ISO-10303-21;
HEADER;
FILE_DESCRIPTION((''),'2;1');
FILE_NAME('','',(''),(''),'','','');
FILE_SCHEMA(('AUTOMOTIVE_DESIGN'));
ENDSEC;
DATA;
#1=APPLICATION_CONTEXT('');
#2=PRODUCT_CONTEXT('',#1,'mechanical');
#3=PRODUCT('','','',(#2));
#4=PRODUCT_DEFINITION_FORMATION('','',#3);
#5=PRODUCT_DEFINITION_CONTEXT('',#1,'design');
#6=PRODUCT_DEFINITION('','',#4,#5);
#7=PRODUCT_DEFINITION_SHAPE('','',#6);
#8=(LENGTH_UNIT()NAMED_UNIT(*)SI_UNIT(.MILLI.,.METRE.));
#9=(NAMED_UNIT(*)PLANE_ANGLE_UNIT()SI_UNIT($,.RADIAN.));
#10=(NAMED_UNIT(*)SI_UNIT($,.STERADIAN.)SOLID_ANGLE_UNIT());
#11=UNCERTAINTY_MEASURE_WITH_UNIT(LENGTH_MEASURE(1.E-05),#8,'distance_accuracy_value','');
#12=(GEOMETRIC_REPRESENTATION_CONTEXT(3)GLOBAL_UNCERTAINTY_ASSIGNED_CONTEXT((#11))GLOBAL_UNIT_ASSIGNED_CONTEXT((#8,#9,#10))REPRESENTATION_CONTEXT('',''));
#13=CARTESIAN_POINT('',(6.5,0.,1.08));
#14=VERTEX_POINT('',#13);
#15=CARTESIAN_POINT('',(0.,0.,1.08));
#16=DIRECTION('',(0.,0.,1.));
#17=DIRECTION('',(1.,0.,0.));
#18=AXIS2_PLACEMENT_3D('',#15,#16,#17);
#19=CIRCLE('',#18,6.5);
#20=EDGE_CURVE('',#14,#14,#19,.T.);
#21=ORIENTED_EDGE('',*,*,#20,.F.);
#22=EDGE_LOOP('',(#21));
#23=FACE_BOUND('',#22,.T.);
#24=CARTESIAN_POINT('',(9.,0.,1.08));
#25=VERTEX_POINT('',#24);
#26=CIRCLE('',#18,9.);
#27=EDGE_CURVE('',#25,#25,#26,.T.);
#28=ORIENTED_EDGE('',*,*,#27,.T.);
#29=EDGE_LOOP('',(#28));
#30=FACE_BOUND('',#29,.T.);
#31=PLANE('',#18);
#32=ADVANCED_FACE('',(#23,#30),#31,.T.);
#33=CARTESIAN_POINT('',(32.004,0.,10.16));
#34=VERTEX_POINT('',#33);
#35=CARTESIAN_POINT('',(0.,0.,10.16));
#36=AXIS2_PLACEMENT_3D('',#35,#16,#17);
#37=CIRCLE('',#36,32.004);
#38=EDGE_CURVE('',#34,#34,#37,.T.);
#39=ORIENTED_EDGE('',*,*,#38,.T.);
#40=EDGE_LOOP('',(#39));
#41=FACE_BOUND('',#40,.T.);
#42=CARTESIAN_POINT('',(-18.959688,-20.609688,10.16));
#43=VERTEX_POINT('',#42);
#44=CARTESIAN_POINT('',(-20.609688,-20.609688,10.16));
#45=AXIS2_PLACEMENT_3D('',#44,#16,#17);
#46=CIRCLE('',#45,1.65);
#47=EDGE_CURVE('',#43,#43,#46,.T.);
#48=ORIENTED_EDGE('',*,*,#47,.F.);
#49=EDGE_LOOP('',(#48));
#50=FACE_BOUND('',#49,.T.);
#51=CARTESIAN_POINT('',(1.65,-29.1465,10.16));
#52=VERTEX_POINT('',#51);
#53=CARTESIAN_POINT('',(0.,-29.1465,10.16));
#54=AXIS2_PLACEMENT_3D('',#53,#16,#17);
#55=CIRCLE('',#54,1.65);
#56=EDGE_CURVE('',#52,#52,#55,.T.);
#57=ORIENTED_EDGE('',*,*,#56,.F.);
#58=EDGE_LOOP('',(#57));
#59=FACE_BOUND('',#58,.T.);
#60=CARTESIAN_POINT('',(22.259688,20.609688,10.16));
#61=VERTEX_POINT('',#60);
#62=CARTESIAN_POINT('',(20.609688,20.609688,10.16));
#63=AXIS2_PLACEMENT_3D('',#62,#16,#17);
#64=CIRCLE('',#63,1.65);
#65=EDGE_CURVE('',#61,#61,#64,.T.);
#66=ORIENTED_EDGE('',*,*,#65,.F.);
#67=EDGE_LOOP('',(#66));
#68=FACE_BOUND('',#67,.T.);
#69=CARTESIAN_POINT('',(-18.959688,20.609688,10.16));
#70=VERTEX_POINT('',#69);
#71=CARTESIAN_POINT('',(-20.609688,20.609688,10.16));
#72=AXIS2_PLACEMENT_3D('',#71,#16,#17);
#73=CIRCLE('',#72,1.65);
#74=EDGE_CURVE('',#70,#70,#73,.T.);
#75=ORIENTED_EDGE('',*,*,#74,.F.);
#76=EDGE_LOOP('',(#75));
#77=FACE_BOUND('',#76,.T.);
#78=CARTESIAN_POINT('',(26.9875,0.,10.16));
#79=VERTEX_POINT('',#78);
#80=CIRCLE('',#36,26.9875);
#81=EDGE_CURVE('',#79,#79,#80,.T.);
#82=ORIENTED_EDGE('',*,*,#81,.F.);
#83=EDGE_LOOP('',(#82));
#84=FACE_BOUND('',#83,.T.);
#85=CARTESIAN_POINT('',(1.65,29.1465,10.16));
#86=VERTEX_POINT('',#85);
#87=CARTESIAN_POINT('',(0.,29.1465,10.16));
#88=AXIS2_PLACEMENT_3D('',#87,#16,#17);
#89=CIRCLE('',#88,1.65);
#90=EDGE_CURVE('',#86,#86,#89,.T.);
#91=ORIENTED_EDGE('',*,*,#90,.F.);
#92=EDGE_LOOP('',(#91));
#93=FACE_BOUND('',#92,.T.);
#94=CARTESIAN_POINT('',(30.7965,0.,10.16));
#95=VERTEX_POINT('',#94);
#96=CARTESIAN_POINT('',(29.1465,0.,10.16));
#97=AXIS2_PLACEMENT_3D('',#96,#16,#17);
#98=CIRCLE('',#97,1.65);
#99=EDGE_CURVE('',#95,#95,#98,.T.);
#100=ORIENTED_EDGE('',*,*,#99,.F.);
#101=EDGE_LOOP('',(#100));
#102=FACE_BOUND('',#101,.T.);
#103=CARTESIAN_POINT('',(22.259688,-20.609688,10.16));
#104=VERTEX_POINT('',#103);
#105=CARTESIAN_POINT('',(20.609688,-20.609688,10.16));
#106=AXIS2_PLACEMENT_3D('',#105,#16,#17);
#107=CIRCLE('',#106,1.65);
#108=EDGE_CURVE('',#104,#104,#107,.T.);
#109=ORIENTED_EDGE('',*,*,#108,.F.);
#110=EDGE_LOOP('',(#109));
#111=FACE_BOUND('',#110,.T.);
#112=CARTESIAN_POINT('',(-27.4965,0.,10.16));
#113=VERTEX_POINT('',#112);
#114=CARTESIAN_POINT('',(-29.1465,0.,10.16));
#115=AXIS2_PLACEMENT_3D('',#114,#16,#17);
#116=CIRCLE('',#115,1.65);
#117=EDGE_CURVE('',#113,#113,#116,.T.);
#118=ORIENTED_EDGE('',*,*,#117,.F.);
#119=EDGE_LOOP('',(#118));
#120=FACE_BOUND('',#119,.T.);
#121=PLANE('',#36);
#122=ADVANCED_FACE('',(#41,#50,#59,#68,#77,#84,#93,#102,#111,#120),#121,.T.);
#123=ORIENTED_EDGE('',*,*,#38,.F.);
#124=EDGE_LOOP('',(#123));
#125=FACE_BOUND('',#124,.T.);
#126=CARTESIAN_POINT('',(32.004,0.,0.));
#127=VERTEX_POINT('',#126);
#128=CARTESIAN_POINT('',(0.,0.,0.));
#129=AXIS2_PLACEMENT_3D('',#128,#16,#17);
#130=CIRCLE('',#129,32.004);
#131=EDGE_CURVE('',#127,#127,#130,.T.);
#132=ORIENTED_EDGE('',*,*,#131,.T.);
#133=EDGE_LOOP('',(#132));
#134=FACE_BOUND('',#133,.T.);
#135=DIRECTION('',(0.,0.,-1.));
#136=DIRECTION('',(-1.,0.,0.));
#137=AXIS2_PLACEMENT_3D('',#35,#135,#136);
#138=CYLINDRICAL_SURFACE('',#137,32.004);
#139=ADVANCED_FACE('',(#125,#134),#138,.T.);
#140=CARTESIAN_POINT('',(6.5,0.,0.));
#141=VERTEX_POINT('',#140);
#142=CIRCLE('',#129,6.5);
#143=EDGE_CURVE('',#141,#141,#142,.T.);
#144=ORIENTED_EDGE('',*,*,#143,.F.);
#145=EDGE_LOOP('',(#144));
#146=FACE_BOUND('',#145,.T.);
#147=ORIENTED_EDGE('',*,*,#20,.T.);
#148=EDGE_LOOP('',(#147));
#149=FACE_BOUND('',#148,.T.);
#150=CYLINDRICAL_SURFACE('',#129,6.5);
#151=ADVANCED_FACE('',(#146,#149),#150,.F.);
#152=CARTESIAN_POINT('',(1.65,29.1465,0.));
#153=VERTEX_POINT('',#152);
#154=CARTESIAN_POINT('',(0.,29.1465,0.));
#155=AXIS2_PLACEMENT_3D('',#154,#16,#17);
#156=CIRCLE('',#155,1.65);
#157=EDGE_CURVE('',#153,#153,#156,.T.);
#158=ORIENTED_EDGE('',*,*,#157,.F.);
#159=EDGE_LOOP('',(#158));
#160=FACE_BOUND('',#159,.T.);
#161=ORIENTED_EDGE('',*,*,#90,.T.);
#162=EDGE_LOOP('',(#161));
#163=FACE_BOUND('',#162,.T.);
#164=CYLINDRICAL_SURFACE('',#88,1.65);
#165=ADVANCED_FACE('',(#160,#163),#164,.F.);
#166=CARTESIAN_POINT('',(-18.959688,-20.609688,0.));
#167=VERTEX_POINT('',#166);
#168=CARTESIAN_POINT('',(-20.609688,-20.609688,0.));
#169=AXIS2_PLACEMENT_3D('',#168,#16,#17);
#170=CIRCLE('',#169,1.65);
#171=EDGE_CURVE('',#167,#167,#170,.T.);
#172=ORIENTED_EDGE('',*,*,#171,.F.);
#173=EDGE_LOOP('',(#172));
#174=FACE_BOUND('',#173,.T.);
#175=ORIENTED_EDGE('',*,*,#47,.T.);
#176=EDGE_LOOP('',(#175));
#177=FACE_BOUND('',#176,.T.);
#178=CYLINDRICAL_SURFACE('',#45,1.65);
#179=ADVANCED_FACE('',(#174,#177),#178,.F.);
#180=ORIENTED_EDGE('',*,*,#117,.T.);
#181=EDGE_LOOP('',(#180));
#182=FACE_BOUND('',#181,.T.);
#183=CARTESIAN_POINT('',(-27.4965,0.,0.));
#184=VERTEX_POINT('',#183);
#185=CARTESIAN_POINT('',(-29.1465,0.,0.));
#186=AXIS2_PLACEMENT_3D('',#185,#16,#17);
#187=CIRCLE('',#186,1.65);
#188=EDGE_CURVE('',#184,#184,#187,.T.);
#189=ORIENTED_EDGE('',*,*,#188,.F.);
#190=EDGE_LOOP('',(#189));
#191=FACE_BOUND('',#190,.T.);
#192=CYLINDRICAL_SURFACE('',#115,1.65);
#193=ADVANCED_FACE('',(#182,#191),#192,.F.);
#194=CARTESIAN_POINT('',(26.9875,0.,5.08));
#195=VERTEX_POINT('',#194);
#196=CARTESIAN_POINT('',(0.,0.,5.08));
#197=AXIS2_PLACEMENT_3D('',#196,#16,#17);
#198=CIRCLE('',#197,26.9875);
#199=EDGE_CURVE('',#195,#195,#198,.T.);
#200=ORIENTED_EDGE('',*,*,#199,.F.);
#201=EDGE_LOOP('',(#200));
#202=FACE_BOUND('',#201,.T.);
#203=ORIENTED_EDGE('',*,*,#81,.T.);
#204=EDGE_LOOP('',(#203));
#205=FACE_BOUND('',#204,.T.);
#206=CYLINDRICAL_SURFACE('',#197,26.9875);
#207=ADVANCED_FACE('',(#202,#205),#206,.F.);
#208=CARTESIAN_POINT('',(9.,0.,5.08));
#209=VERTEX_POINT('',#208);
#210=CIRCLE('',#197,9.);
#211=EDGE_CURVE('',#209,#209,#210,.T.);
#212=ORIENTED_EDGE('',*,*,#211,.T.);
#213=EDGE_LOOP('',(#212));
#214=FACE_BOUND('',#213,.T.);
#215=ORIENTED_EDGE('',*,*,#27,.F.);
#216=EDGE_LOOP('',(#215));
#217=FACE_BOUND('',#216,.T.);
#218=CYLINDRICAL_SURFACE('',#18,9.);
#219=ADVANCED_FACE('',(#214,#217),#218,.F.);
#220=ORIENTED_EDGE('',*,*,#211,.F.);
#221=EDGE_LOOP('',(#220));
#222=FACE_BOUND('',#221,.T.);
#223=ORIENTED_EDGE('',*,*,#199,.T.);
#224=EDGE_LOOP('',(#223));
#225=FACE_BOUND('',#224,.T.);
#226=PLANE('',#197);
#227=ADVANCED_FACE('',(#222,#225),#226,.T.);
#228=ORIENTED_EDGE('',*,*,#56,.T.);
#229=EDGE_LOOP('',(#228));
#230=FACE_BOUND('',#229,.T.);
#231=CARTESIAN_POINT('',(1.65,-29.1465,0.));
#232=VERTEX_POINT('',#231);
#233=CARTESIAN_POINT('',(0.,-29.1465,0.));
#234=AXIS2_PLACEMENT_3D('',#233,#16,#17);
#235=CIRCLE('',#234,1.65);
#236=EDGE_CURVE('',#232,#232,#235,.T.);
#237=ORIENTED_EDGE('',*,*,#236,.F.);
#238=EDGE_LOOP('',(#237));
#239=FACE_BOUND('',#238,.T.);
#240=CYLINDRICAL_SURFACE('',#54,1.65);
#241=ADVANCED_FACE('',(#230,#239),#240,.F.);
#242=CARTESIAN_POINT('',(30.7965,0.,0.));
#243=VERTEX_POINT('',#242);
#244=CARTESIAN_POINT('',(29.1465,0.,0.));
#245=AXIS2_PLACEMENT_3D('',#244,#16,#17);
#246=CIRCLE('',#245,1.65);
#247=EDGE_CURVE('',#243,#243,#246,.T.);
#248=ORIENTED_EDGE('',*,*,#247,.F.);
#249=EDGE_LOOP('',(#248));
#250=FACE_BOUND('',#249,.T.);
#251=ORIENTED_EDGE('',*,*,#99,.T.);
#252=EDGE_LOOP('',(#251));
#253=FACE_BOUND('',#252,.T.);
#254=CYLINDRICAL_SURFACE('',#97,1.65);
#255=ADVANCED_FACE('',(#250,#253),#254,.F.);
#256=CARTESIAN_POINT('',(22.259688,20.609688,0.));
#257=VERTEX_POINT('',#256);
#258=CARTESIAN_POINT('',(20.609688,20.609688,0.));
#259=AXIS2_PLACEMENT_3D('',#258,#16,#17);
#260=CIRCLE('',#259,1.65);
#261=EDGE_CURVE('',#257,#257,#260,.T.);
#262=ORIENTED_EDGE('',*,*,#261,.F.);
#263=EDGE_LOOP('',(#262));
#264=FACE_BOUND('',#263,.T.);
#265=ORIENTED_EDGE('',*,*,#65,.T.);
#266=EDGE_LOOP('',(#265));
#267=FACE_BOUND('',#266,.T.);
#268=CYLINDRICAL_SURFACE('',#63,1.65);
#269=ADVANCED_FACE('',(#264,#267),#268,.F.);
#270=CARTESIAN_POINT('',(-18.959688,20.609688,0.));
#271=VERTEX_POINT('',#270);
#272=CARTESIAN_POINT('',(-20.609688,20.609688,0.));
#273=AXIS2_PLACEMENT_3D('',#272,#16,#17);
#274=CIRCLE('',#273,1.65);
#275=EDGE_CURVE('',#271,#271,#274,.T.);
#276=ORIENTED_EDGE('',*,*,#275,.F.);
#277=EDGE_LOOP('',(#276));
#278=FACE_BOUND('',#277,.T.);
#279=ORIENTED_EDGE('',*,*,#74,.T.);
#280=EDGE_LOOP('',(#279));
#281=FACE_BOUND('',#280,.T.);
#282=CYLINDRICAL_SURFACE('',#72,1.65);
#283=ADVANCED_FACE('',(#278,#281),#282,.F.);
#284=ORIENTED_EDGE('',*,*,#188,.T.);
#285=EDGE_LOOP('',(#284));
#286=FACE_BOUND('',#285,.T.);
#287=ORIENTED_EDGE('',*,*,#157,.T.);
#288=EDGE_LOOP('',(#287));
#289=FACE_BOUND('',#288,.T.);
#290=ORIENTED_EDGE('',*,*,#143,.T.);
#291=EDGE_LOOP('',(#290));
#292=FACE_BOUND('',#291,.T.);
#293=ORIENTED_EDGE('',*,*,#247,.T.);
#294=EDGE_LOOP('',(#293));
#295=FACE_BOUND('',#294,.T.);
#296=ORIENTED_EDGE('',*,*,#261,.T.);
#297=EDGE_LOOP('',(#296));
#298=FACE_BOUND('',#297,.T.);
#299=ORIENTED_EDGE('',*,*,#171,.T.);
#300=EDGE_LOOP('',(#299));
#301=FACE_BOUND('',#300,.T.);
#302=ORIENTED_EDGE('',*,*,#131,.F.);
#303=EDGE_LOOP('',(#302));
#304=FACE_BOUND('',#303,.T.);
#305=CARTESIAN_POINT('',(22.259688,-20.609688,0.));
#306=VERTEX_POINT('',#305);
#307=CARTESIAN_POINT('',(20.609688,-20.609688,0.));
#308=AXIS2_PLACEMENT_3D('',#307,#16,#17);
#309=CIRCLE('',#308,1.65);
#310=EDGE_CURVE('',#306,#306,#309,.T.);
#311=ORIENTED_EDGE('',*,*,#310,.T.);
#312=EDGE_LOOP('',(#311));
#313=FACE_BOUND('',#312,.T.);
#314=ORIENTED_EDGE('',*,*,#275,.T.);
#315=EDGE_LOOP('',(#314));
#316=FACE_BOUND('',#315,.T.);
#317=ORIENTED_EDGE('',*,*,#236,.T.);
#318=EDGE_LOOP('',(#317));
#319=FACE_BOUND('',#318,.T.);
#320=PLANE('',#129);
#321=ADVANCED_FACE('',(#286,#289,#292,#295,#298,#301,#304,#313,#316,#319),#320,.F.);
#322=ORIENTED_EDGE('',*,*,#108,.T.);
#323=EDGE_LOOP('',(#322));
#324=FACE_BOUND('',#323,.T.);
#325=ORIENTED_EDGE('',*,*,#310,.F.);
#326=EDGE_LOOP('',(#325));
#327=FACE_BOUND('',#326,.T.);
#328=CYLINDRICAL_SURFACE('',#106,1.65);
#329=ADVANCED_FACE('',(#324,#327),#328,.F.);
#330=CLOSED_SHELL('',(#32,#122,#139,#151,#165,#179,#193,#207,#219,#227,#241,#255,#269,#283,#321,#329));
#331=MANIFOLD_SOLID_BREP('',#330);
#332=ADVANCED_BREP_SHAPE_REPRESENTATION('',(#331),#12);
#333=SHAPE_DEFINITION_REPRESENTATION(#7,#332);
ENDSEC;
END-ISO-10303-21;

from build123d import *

# Parameters (mm, degrees)
SKETCH1_R             = 32.004
BOSS_EXTRUDE1_DEPTH   = 10.16
SKETCH2_R             = 26.9875
CUT_EXTRUDE1_DEPTH    = 5.08
SKETCH3_R             = 9
CUT_EXTRUDE2_DEPTH    = 4
SKETCH4_R             = 6.5
CUT_EXTRUDE3_DEPTH    = 47.162305315
M4X0_7_TAPPED_HOLE1_D = 3.3


with BuildPart() as part:
    # Sketch1 → Boss-Extrude1 (new body)
    with BuildSketch(Plane.XY):
        Circle(SKETCH1_R)
    extrude(amount=BOSS_EXTRUDE1_DEPTH)

    # Sketch2 → Cut-Extrude1 (cut)
    with BuildSketch(Plane.XY.offset(10.16)):
        Circle(SKETCH2_R)
    extrude(amount=-CUT_EXTRUDE1_DEPTH, mode=Mode.SUBTRACT)

    # Sketch3 → Cut-Extrude2 (cut)
    with BuildSketch(Plane.XY.offset(5.08)):
        Circle(SKETCH3_R)
    extrude(amount=-CUT_EXTRUDE2_DEPTH, mode=Mode.SUBTRACT)

    # Sketch4 → Cut-Extrude3 (cut, through all)
    with BuildSketch(Plane.XY.offset(1.08)):
        Circle(SKETCH4_R)
    extrude(amount=-CUT_EXTRUDE3_DEPTH, mode=Mode.SUBTRACT)

    # M4x0.7 Tapped Hole1 (through all)
    with Locations(Plane.XY.offset(10.16)):
        with Locations((-20.609687798, 20.609687798), (0, 29.1465), (20.609687798, 20.609687798), (29.1465, 0), (20.609687798, -20.609687798), (0, -29.1465), (-20.609687798, -20.609687798), (-29.1465, 0)):
            Hole(M4X0_7_TAPPED_HOLE1_D / 2)


solid = part.part
